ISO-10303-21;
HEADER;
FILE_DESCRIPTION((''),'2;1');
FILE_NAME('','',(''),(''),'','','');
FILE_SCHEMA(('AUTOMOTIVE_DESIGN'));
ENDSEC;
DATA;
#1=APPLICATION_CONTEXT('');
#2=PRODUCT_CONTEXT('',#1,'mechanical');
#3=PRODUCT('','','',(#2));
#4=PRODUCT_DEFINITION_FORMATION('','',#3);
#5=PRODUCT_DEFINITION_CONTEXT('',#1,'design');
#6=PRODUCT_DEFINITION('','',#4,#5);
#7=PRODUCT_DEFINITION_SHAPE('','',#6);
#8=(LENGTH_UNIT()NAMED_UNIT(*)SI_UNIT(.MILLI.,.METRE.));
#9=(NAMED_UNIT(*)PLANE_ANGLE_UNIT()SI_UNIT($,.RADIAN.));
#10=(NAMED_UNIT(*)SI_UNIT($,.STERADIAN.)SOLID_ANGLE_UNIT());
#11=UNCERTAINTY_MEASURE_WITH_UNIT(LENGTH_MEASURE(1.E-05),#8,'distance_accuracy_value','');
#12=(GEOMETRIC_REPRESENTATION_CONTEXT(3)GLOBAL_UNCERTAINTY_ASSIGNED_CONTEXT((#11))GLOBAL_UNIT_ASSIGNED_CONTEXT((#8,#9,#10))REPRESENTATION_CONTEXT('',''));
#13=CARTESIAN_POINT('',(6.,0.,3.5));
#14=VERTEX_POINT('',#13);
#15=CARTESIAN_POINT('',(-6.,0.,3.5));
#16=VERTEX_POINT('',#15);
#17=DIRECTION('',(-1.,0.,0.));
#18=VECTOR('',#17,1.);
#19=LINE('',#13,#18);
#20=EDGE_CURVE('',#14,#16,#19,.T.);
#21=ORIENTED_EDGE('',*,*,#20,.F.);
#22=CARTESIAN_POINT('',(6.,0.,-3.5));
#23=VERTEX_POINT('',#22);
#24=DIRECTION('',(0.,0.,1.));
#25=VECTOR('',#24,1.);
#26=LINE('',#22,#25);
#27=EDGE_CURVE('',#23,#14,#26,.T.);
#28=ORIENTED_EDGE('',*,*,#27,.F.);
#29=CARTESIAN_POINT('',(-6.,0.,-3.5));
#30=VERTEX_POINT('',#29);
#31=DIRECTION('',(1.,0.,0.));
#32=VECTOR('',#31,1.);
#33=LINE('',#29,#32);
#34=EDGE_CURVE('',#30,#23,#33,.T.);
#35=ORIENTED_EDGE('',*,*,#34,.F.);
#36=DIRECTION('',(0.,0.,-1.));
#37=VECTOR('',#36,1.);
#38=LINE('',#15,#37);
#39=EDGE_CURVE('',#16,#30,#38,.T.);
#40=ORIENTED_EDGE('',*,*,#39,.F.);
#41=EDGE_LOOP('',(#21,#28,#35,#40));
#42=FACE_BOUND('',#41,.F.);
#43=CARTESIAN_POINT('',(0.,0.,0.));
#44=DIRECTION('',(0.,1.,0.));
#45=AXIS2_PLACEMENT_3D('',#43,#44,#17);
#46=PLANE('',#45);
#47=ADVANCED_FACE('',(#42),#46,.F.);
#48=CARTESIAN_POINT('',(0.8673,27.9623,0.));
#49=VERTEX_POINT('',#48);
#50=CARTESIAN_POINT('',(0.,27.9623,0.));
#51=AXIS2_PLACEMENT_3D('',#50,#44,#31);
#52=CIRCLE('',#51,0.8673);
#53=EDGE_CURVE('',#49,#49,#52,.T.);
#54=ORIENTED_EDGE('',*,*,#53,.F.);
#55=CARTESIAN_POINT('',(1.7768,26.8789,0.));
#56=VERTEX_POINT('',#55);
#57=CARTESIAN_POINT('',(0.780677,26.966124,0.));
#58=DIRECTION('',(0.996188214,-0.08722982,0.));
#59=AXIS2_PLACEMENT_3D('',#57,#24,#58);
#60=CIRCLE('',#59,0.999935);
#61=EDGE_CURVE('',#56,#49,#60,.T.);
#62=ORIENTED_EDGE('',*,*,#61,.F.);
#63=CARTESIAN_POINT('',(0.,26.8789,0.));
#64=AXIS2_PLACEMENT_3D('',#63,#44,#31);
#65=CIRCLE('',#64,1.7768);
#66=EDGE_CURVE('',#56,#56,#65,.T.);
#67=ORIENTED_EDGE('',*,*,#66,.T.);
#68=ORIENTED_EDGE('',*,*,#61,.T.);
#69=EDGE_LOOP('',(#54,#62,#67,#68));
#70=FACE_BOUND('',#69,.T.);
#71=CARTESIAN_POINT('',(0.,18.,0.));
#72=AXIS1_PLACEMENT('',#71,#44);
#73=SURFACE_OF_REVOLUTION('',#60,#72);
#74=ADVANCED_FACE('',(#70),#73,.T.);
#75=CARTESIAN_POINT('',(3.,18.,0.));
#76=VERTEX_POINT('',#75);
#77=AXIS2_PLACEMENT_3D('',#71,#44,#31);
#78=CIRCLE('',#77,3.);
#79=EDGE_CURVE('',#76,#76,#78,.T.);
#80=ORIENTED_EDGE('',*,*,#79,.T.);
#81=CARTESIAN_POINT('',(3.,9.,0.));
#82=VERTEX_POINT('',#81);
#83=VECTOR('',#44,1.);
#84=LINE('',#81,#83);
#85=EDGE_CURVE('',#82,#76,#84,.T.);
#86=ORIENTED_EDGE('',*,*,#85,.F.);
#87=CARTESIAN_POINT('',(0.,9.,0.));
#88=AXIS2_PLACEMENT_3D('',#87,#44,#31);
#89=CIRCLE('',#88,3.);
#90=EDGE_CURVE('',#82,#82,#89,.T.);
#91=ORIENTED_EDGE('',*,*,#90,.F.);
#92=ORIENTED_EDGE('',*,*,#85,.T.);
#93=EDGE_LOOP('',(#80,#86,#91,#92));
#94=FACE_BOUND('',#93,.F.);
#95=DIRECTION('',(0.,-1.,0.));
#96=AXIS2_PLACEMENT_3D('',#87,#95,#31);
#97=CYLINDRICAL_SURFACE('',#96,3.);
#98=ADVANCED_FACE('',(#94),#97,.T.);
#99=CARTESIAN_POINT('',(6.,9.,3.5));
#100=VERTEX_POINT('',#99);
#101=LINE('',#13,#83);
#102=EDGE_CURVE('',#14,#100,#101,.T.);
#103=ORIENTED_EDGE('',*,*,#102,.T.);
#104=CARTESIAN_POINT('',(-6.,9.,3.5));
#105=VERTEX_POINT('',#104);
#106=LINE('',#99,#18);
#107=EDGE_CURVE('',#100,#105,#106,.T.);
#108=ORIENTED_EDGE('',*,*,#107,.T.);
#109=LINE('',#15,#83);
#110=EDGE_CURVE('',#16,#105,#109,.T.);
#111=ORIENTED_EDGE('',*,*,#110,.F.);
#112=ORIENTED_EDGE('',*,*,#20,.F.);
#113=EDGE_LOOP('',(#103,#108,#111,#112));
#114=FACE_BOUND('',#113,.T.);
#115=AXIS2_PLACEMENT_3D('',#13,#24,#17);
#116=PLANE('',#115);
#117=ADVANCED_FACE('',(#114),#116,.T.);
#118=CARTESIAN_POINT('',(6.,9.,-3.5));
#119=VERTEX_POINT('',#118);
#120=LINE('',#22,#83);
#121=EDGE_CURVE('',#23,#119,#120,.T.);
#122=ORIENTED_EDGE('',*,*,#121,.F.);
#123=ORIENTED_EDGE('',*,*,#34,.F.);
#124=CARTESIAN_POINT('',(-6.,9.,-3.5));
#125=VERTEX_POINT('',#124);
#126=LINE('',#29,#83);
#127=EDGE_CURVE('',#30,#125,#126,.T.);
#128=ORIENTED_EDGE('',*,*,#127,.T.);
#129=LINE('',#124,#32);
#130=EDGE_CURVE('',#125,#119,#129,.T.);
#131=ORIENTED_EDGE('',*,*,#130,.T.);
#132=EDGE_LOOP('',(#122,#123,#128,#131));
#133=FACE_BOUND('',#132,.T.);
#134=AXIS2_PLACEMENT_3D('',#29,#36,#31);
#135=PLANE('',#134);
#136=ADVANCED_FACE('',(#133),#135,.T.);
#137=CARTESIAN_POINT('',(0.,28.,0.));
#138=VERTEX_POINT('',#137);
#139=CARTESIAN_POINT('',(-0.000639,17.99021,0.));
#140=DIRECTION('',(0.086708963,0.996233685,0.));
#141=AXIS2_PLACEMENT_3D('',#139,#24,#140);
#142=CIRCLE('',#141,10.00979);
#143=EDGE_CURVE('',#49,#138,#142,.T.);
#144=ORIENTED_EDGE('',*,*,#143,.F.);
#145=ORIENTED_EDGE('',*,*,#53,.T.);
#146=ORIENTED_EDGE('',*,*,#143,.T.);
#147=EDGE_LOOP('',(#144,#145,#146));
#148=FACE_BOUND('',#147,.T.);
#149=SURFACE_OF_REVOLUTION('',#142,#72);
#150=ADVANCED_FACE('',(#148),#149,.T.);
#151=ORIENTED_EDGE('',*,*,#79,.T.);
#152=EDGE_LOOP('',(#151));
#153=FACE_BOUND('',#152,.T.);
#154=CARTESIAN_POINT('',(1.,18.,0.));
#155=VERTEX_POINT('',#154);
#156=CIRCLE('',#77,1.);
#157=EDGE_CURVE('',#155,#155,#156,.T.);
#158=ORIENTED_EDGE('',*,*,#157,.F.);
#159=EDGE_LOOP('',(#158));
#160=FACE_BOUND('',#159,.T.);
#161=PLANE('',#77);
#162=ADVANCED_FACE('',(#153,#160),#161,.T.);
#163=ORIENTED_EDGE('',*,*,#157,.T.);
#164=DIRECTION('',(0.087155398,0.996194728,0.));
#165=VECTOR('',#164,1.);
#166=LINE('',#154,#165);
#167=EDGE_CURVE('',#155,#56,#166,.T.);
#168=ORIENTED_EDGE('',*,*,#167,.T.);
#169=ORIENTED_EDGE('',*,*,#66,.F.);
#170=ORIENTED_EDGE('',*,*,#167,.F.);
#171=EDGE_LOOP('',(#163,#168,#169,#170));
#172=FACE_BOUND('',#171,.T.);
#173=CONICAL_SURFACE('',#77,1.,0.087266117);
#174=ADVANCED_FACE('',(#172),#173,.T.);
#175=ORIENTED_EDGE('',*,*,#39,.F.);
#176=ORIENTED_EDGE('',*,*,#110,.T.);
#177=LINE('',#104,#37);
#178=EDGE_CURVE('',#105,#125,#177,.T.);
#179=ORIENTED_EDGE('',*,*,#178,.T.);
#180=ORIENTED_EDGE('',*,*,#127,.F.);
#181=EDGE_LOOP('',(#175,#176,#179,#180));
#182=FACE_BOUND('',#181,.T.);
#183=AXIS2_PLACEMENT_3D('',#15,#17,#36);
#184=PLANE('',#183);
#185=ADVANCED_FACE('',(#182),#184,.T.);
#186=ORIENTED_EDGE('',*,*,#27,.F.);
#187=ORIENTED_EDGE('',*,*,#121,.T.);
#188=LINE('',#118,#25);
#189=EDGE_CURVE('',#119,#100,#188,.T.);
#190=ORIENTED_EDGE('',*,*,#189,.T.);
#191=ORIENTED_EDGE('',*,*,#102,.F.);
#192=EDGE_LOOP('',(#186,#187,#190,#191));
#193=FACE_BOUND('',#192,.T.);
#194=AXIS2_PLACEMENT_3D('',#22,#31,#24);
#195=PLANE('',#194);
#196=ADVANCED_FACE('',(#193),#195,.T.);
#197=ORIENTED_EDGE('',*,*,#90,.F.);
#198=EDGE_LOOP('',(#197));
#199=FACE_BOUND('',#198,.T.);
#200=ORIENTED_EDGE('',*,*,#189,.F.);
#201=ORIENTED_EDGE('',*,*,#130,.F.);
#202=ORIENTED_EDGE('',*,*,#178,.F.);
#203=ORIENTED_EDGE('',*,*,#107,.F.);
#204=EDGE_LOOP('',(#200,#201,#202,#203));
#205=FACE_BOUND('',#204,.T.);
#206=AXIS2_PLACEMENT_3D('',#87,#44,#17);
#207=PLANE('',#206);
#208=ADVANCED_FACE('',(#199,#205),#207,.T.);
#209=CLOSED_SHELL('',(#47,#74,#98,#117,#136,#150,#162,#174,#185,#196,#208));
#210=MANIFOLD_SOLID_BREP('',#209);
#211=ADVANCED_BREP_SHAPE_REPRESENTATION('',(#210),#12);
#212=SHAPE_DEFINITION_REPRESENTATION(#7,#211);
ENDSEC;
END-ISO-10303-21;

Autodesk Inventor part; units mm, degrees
ref_plane "YZ Plane" through (0, 0, 0) normal (1, 0, 0) x (0, 1, 0)
ref_plane "XZ Plane" through (0, 0, 0) normal (0, 1, 0) x (-1, 0, 0)
ref_plane "XY Plane" through (0, 0, 0) normal (0, 0, 1) x (1, 0, 0)
sketch "Sketch1" plane through (0, 0, 0) normal (0, 1, 0) x (-1, 0, 0)
  line L0 (6, -3.5) -> (-6, -3.5)
  line L1 (-6, -3.5) -> (-6, 3.5)
  line L2 (-6, 3.5) -> (6, 3.5)
  line L3 (6, 3.5) -> (6, -3.5)
  line L4 (6, -3.5) -> (-6, 3.5) construction
  line L5 (-6, -3.5) -> (6, 3.5) construction
  point P0 (0, 0)
  dimension "d0" = 12
  dimension "d1" = 7
extrude "Extrusion1" add sketch "Sketch1" along normal blind 9
sketch "Sketch2" plane through (0, 9, 0) normal (0, 1, 0) x (1, 0, 0)
  circle A0 centre (0, 0) radius 3
  dimension "d4" = 6
extrude "Extrusion2" add sketch "Sketch2" along normal blind 9
sketch "Sketch5" plane through (0, 0, 0) normal (0, 0, 1) x (1, 0, 0)
  line L0 (3, 18) -> (-3, 18) construction
  line L1 (-3, 9) -> (3, 9) construction
  line L2 (0, 18) -> (0, 28)
  line L3 (0, 18) -> (1, 18)
  line L4 (1, 18) -> (1.7768, 26.8789)
  arc A0 (0.8673, 27.9623) -> (0, 28) centre (0, 18) ccw
  arc A1 (0, 28) -> (1.8596, 27.8256) centre (0, 18) ccw construction
  arc A2 (1.7768, 26.8789) -> (0.8673, 27.9623) centre (0.7806, 26.9661) ccw
  point P0 (0, 0)
  dimension "d7" = 10
  dimension "d8" = 1
  dimension "d9" = 85
  dimension "d10" = 1
revolve "Revolution1" add sketch "Sketch5" angle 360 about axis through (0, 18, 0) along (0, 1, 0)
thread "Thread1" size "M6x1" class "6g" standard "ANSI Metric M Profile" full length
properties part number "Switch"
